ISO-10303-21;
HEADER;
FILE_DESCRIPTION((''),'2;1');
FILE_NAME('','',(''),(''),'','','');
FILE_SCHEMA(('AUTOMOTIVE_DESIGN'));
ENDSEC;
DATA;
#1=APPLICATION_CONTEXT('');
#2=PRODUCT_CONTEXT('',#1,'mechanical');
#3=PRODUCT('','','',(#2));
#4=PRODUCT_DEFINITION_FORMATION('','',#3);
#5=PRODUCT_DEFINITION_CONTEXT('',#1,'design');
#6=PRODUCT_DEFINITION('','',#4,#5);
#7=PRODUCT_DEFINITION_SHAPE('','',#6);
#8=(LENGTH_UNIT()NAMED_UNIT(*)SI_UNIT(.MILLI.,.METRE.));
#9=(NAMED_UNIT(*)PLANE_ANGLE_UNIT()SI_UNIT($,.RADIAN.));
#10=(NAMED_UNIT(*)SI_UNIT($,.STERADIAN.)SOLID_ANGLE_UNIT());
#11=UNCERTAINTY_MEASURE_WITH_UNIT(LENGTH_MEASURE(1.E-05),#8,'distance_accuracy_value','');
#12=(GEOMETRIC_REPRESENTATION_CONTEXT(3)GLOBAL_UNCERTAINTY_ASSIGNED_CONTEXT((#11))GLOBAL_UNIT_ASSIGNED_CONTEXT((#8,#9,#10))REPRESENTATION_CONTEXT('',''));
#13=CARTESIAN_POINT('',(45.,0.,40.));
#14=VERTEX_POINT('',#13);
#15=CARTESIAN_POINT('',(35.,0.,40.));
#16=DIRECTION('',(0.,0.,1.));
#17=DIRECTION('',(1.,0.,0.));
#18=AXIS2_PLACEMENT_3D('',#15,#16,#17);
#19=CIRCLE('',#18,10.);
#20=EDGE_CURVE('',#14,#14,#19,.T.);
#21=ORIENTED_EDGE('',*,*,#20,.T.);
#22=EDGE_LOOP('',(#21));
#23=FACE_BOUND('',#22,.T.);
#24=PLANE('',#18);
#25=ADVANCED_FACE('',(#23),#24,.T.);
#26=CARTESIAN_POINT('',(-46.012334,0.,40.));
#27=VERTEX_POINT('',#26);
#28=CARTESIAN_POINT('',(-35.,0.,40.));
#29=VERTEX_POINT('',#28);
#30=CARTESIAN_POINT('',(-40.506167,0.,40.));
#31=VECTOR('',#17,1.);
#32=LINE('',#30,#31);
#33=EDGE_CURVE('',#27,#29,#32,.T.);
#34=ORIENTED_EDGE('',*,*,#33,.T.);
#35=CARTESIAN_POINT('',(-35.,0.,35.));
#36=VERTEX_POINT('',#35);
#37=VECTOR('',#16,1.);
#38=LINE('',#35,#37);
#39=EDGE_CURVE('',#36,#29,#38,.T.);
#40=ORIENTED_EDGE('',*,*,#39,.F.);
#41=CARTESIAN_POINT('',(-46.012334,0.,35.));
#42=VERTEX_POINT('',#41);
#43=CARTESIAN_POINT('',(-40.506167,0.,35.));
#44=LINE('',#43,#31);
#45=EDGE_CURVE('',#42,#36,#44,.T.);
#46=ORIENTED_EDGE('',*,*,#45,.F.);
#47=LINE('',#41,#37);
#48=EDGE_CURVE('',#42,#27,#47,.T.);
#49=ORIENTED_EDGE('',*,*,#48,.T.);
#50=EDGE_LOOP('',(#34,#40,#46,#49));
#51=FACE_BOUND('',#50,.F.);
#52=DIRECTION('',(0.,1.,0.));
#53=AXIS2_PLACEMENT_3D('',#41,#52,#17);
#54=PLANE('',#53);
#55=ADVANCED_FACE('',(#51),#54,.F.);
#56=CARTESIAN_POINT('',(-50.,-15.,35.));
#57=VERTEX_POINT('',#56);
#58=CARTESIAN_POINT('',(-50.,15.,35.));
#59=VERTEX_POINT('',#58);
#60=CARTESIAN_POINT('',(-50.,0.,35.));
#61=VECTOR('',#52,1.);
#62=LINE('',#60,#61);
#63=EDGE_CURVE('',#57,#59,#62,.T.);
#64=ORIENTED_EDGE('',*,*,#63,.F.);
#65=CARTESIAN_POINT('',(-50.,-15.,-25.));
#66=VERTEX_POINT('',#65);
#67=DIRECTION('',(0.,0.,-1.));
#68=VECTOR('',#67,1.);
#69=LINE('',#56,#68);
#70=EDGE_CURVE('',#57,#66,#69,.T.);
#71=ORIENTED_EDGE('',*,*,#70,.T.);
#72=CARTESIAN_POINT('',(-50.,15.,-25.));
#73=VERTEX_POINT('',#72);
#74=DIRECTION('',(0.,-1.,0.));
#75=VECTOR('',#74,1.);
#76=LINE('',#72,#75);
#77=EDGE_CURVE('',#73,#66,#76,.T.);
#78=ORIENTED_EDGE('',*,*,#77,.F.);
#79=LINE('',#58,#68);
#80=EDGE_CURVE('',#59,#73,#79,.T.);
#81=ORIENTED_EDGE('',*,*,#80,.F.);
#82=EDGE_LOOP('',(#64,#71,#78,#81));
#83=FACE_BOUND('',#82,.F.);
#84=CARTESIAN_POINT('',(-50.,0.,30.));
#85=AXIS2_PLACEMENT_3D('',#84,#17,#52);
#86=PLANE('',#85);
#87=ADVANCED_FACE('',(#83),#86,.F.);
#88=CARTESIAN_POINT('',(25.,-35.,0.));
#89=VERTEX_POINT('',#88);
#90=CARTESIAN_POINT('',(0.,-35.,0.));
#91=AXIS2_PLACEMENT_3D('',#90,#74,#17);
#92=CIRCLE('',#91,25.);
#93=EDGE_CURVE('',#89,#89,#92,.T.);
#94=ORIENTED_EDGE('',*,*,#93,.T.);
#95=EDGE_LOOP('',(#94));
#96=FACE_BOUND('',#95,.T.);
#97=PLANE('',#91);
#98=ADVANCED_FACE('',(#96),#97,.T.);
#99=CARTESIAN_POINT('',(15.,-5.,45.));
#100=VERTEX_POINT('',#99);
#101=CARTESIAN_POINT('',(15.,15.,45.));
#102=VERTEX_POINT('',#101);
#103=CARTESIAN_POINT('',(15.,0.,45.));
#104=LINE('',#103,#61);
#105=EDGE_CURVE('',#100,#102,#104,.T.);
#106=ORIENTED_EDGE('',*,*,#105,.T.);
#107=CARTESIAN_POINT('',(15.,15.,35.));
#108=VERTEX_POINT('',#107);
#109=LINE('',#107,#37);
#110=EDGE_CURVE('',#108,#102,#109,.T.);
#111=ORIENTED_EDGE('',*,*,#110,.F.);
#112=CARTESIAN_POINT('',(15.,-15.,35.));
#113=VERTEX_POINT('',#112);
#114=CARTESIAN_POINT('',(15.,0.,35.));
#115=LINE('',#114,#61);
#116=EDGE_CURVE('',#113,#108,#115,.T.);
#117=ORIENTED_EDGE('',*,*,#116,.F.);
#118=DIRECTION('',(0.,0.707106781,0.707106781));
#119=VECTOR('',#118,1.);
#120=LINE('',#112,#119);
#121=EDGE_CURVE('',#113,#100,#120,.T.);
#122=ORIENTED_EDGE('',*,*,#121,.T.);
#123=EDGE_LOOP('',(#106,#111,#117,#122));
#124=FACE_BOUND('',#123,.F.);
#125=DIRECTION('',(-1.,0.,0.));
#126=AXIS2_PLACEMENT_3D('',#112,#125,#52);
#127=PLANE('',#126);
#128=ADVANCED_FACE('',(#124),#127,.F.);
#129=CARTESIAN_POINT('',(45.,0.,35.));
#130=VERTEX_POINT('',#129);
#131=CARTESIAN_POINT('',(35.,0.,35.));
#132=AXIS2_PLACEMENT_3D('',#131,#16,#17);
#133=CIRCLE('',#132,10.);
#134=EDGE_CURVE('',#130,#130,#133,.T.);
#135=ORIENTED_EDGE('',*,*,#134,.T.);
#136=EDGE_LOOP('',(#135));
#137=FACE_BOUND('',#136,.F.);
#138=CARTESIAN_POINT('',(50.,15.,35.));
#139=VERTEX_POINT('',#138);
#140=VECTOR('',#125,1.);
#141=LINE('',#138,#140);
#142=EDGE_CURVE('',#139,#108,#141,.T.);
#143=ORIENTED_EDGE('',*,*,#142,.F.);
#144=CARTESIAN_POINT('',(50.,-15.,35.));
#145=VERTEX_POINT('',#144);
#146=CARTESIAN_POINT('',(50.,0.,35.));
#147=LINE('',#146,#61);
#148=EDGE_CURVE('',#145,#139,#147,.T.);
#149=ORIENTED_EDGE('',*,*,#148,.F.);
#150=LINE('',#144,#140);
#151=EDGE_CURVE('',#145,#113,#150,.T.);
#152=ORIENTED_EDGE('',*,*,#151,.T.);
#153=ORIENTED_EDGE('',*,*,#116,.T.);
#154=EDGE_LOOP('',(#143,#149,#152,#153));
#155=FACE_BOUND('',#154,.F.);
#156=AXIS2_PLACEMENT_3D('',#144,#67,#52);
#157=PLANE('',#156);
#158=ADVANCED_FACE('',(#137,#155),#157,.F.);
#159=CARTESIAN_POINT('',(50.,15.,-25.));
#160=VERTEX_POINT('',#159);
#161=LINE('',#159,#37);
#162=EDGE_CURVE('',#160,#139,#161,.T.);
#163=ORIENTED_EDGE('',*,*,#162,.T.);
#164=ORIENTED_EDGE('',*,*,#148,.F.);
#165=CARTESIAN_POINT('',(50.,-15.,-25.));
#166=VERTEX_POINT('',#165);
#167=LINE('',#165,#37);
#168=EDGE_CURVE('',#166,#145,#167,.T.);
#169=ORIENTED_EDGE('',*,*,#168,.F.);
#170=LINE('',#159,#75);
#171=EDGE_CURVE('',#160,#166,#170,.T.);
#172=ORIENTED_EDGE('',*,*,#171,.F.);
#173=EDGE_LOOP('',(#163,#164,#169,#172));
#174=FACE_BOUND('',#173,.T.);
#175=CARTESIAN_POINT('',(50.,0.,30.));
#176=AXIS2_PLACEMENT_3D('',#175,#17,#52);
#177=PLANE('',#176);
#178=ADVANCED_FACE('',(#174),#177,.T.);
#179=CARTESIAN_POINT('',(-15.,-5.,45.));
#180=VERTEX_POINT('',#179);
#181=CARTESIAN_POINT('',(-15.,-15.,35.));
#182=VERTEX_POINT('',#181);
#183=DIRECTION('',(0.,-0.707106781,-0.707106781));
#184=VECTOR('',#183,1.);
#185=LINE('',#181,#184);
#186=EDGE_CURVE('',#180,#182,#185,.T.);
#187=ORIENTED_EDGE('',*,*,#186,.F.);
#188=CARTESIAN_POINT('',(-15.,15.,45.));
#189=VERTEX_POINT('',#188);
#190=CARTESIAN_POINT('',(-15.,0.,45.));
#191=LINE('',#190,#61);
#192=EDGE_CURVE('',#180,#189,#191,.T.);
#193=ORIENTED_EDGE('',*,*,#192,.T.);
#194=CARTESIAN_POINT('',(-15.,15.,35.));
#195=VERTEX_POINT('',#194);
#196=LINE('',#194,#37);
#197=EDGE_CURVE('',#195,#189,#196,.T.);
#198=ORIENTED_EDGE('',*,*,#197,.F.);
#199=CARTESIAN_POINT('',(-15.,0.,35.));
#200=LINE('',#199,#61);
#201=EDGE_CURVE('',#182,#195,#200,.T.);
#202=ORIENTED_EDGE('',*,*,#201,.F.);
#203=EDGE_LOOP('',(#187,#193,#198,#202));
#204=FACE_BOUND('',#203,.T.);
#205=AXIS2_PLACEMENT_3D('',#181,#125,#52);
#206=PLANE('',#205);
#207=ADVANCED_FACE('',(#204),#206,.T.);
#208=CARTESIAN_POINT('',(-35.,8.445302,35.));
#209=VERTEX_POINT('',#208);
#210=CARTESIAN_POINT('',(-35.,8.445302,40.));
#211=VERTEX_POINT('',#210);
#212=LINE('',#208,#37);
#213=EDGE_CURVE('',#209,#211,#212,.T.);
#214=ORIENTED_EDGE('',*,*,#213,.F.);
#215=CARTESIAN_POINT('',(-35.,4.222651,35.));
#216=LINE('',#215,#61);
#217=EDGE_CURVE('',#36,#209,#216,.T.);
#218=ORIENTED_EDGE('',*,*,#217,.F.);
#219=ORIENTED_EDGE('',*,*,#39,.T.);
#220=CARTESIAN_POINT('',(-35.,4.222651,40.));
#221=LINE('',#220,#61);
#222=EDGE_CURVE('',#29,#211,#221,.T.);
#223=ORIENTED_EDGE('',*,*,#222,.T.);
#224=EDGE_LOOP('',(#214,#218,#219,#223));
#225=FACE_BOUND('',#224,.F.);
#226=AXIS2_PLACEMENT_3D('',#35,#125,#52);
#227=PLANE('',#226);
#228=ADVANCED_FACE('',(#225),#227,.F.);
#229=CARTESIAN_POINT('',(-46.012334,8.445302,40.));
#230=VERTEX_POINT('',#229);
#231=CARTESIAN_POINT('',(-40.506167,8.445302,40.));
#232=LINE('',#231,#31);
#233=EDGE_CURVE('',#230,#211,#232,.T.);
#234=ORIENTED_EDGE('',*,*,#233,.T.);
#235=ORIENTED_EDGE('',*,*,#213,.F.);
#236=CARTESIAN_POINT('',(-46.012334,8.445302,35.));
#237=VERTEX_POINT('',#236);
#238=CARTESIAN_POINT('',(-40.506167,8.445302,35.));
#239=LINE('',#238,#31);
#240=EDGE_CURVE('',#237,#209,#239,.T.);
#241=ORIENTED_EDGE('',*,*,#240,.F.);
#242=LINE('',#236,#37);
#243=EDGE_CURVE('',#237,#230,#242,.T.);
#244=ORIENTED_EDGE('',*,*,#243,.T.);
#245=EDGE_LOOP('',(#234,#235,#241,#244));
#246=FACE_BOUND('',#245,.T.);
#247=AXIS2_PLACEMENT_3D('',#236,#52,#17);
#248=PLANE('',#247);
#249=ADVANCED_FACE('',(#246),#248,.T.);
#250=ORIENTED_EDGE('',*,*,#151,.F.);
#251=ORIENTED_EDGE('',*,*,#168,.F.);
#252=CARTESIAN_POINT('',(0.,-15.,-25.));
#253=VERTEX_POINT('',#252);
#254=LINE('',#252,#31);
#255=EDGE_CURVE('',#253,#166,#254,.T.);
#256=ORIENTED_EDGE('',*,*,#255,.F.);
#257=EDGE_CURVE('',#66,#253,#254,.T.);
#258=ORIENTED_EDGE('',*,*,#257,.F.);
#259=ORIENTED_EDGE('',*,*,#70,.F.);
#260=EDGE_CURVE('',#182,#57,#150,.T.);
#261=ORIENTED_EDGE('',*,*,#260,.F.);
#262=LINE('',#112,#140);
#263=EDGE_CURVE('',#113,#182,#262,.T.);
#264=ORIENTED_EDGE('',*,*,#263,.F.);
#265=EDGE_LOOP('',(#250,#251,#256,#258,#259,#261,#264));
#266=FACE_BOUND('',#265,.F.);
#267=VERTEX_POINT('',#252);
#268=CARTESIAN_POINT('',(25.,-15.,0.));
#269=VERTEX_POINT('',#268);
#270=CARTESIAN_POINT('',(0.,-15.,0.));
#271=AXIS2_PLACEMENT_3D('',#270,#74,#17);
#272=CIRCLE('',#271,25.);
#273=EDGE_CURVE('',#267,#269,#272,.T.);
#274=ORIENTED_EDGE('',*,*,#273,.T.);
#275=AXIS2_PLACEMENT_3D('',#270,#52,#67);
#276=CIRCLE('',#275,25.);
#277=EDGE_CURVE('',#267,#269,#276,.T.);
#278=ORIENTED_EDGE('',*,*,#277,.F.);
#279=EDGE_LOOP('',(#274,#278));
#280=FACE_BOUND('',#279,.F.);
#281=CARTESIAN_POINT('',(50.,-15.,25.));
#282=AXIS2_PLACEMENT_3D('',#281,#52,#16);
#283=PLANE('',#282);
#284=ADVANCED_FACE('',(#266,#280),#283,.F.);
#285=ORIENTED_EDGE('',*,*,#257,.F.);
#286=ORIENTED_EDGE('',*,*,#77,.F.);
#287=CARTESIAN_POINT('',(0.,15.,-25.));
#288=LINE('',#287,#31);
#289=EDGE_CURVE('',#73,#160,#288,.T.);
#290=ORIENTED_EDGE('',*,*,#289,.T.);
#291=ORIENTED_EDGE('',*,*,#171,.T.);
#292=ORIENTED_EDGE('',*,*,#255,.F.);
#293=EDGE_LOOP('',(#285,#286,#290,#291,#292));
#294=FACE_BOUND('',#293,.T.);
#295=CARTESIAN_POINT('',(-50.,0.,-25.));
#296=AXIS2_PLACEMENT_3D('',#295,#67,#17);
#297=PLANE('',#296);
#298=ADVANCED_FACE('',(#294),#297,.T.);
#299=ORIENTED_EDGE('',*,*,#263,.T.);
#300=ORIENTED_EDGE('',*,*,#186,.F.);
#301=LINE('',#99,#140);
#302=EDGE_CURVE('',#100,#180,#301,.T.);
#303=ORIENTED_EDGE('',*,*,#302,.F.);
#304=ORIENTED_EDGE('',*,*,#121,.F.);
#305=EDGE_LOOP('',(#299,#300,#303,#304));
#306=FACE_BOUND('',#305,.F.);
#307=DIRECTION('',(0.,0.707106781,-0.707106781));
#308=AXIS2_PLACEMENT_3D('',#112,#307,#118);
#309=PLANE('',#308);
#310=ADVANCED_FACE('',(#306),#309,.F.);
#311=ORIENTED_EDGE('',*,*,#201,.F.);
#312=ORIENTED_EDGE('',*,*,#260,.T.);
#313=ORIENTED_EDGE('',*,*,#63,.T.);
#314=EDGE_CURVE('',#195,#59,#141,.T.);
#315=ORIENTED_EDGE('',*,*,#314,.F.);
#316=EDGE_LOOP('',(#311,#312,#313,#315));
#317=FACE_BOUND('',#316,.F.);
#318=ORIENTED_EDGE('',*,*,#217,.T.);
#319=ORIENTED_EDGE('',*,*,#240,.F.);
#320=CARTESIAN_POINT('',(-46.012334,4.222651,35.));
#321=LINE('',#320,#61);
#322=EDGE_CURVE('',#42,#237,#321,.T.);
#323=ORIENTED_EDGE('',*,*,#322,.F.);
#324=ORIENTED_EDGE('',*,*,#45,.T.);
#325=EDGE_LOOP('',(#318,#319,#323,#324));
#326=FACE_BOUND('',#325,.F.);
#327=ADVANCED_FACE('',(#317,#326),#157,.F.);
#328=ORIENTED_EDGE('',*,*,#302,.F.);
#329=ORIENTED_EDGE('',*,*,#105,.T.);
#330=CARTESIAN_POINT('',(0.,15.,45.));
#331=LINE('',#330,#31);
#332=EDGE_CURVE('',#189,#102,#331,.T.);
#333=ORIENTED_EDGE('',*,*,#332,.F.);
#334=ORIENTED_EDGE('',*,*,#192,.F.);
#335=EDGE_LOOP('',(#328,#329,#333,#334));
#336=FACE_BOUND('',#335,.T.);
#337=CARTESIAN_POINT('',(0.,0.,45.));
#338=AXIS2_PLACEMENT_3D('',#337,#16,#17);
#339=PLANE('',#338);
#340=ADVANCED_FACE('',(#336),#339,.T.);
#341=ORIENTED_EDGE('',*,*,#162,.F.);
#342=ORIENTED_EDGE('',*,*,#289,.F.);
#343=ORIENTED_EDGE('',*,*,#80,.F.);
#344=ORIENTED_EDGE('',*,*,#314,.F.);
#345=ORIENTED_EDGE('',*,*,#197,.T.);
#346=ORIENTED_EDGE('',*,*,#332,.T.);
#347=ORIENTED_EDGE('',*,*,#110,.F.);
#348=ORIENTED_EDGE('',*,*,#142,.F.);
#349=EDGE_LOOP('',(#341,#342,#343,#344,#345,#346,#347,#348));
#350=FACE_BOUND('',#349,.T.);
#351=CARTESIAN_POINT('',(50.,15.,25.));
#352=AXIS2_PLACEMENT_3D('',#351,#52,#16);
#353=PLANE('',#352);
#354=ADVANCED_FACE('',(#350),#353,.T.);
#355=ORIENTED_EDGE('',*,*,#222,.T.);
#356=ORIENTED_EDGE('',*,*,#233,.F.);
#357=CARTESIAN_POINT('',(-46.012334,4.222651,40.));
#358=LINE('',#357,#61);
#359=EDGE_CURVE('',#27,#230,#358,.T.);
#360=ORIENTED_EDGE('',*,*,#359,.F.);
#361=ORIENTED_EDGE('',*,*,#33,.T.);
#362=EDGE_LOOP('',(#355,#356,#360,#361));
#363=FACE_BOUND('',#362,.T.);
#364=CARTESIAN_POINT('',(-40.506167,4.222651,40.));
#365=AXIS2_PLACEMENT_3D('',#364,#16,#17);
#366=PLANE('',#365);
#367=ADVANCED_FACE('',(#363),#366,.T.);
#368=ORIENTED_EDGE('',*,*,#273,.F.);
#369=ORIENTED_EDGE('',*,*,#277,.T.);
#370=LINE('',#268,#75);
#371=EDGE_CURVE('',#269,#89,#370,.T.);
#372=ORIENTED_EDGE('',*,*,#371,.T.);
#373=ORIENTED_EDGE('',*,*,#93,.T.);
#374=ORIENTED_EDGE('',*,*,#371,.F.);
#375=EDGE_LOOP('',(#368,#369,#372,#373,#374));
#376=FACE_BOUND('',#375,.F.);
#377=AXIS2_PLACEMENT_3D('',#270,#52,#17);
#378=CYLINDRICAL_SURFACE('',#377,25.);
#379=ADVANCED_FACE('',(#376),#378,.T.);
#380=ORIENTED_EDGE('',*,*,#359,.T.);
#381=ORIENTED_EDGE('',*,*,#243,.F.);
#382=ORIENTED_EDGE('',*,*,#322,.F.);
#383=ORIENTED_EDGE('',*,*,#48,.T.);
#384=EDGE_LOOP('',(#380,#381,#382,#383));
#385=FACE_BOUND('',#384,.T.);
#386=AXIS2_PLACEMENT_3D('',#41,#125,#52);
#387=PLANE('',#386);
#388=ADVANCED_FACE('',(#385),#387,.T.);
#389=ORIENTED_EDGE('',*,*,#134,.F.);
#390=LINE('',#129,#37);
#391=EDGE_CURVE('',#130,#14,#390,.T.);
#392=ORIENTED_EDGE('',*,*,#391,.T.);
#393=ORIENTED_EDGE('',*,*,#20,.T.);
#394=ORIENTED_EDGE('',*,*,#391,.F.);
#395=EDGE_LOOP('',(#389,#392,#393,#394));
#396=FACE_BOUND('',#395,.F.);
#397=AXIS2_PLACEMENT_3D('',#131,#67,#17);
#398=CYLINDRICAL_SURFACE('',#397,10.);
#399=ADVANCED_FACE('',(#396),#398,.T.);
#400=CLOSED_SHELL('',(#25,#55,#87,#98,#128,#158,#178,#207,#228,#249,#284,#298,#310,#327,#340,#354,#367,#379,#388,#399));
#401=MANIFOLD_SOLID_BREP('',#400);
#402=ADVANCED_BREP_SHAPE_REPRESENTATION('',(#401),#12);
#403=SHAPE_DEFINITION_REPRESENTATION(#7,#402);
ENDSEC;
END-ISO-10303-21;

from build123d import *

# Parameters (mm, degrees)
F0_W      = 100
F0_H      = 50
F1_DEPTH  = 15
F3_R      = 25
F4_DEPTH  = 20
F2_W      = 30
F2_H      = 10
F5_DEPTH  = 100
F6_R      = 10
F7_DEPTH  = 5
F8_W      = 11.012334
F8_H      = 8.445302
F9_DEPTH  = 5
F10_W     = 30
F10_H     = 30
F11_DEPTH = 10
F13_DEPTH = 65.001


with BuildPart() as f1:
    # F0 (on Front) → F1 (new body, symmetric)
    with BuildSketch(Plane.XZ):
        Rectangle(F0_W, F0_H)
    extrude(amount=F1_DEPTH, both=True)

    # F3 (on face) → F4 (join)
    with BuildSketch(Plane.XZ.offset(15)):
        Circle(F3_R)
    extrude(amount=F4_DEPTH)

    # F2 (on face) → F5 (join)
    with BuildSketch(Plane.YZ.offset(50)):
        with Locations((0, 30)):
            Rectangle(F2_W, F2_H)
    extrude(amount=-F5_DEPTH)

    # F6 (on face) → F7 (join)
    with BuildSketch(Plane.XY.offset(35)):
        with Locations((35, 0)):
            Circle(F6_R)
    extrude(amount=F7_DEPTH)

    # F8 (on face) → F9 (join)
    with BuildSketch(Plane.XY.offset(35)):
        with Locations((-40.506167, 4.222651)):
            Rectangle(F8_W, F8_H)
    extrude(amount=F9_DEPTH)

    # F10 (on face) → F11 (join)
    with BuildSketch(Plane.XY.offset(35)):
        Rectangle(F10_W, F10_H)
    extrude(amount=F11_DEPTH)

    # F12 (on face) → F13 (cut, through all)
    with BuildSketch(Plane.YZ.offset(15)):
        Polygon((-15, 45), (-15, 35), (-5, 45), align=None)
    extrude(amount=-F13_DEPTH, mode=Mode.SUBTRACT)


solid = f1.part
